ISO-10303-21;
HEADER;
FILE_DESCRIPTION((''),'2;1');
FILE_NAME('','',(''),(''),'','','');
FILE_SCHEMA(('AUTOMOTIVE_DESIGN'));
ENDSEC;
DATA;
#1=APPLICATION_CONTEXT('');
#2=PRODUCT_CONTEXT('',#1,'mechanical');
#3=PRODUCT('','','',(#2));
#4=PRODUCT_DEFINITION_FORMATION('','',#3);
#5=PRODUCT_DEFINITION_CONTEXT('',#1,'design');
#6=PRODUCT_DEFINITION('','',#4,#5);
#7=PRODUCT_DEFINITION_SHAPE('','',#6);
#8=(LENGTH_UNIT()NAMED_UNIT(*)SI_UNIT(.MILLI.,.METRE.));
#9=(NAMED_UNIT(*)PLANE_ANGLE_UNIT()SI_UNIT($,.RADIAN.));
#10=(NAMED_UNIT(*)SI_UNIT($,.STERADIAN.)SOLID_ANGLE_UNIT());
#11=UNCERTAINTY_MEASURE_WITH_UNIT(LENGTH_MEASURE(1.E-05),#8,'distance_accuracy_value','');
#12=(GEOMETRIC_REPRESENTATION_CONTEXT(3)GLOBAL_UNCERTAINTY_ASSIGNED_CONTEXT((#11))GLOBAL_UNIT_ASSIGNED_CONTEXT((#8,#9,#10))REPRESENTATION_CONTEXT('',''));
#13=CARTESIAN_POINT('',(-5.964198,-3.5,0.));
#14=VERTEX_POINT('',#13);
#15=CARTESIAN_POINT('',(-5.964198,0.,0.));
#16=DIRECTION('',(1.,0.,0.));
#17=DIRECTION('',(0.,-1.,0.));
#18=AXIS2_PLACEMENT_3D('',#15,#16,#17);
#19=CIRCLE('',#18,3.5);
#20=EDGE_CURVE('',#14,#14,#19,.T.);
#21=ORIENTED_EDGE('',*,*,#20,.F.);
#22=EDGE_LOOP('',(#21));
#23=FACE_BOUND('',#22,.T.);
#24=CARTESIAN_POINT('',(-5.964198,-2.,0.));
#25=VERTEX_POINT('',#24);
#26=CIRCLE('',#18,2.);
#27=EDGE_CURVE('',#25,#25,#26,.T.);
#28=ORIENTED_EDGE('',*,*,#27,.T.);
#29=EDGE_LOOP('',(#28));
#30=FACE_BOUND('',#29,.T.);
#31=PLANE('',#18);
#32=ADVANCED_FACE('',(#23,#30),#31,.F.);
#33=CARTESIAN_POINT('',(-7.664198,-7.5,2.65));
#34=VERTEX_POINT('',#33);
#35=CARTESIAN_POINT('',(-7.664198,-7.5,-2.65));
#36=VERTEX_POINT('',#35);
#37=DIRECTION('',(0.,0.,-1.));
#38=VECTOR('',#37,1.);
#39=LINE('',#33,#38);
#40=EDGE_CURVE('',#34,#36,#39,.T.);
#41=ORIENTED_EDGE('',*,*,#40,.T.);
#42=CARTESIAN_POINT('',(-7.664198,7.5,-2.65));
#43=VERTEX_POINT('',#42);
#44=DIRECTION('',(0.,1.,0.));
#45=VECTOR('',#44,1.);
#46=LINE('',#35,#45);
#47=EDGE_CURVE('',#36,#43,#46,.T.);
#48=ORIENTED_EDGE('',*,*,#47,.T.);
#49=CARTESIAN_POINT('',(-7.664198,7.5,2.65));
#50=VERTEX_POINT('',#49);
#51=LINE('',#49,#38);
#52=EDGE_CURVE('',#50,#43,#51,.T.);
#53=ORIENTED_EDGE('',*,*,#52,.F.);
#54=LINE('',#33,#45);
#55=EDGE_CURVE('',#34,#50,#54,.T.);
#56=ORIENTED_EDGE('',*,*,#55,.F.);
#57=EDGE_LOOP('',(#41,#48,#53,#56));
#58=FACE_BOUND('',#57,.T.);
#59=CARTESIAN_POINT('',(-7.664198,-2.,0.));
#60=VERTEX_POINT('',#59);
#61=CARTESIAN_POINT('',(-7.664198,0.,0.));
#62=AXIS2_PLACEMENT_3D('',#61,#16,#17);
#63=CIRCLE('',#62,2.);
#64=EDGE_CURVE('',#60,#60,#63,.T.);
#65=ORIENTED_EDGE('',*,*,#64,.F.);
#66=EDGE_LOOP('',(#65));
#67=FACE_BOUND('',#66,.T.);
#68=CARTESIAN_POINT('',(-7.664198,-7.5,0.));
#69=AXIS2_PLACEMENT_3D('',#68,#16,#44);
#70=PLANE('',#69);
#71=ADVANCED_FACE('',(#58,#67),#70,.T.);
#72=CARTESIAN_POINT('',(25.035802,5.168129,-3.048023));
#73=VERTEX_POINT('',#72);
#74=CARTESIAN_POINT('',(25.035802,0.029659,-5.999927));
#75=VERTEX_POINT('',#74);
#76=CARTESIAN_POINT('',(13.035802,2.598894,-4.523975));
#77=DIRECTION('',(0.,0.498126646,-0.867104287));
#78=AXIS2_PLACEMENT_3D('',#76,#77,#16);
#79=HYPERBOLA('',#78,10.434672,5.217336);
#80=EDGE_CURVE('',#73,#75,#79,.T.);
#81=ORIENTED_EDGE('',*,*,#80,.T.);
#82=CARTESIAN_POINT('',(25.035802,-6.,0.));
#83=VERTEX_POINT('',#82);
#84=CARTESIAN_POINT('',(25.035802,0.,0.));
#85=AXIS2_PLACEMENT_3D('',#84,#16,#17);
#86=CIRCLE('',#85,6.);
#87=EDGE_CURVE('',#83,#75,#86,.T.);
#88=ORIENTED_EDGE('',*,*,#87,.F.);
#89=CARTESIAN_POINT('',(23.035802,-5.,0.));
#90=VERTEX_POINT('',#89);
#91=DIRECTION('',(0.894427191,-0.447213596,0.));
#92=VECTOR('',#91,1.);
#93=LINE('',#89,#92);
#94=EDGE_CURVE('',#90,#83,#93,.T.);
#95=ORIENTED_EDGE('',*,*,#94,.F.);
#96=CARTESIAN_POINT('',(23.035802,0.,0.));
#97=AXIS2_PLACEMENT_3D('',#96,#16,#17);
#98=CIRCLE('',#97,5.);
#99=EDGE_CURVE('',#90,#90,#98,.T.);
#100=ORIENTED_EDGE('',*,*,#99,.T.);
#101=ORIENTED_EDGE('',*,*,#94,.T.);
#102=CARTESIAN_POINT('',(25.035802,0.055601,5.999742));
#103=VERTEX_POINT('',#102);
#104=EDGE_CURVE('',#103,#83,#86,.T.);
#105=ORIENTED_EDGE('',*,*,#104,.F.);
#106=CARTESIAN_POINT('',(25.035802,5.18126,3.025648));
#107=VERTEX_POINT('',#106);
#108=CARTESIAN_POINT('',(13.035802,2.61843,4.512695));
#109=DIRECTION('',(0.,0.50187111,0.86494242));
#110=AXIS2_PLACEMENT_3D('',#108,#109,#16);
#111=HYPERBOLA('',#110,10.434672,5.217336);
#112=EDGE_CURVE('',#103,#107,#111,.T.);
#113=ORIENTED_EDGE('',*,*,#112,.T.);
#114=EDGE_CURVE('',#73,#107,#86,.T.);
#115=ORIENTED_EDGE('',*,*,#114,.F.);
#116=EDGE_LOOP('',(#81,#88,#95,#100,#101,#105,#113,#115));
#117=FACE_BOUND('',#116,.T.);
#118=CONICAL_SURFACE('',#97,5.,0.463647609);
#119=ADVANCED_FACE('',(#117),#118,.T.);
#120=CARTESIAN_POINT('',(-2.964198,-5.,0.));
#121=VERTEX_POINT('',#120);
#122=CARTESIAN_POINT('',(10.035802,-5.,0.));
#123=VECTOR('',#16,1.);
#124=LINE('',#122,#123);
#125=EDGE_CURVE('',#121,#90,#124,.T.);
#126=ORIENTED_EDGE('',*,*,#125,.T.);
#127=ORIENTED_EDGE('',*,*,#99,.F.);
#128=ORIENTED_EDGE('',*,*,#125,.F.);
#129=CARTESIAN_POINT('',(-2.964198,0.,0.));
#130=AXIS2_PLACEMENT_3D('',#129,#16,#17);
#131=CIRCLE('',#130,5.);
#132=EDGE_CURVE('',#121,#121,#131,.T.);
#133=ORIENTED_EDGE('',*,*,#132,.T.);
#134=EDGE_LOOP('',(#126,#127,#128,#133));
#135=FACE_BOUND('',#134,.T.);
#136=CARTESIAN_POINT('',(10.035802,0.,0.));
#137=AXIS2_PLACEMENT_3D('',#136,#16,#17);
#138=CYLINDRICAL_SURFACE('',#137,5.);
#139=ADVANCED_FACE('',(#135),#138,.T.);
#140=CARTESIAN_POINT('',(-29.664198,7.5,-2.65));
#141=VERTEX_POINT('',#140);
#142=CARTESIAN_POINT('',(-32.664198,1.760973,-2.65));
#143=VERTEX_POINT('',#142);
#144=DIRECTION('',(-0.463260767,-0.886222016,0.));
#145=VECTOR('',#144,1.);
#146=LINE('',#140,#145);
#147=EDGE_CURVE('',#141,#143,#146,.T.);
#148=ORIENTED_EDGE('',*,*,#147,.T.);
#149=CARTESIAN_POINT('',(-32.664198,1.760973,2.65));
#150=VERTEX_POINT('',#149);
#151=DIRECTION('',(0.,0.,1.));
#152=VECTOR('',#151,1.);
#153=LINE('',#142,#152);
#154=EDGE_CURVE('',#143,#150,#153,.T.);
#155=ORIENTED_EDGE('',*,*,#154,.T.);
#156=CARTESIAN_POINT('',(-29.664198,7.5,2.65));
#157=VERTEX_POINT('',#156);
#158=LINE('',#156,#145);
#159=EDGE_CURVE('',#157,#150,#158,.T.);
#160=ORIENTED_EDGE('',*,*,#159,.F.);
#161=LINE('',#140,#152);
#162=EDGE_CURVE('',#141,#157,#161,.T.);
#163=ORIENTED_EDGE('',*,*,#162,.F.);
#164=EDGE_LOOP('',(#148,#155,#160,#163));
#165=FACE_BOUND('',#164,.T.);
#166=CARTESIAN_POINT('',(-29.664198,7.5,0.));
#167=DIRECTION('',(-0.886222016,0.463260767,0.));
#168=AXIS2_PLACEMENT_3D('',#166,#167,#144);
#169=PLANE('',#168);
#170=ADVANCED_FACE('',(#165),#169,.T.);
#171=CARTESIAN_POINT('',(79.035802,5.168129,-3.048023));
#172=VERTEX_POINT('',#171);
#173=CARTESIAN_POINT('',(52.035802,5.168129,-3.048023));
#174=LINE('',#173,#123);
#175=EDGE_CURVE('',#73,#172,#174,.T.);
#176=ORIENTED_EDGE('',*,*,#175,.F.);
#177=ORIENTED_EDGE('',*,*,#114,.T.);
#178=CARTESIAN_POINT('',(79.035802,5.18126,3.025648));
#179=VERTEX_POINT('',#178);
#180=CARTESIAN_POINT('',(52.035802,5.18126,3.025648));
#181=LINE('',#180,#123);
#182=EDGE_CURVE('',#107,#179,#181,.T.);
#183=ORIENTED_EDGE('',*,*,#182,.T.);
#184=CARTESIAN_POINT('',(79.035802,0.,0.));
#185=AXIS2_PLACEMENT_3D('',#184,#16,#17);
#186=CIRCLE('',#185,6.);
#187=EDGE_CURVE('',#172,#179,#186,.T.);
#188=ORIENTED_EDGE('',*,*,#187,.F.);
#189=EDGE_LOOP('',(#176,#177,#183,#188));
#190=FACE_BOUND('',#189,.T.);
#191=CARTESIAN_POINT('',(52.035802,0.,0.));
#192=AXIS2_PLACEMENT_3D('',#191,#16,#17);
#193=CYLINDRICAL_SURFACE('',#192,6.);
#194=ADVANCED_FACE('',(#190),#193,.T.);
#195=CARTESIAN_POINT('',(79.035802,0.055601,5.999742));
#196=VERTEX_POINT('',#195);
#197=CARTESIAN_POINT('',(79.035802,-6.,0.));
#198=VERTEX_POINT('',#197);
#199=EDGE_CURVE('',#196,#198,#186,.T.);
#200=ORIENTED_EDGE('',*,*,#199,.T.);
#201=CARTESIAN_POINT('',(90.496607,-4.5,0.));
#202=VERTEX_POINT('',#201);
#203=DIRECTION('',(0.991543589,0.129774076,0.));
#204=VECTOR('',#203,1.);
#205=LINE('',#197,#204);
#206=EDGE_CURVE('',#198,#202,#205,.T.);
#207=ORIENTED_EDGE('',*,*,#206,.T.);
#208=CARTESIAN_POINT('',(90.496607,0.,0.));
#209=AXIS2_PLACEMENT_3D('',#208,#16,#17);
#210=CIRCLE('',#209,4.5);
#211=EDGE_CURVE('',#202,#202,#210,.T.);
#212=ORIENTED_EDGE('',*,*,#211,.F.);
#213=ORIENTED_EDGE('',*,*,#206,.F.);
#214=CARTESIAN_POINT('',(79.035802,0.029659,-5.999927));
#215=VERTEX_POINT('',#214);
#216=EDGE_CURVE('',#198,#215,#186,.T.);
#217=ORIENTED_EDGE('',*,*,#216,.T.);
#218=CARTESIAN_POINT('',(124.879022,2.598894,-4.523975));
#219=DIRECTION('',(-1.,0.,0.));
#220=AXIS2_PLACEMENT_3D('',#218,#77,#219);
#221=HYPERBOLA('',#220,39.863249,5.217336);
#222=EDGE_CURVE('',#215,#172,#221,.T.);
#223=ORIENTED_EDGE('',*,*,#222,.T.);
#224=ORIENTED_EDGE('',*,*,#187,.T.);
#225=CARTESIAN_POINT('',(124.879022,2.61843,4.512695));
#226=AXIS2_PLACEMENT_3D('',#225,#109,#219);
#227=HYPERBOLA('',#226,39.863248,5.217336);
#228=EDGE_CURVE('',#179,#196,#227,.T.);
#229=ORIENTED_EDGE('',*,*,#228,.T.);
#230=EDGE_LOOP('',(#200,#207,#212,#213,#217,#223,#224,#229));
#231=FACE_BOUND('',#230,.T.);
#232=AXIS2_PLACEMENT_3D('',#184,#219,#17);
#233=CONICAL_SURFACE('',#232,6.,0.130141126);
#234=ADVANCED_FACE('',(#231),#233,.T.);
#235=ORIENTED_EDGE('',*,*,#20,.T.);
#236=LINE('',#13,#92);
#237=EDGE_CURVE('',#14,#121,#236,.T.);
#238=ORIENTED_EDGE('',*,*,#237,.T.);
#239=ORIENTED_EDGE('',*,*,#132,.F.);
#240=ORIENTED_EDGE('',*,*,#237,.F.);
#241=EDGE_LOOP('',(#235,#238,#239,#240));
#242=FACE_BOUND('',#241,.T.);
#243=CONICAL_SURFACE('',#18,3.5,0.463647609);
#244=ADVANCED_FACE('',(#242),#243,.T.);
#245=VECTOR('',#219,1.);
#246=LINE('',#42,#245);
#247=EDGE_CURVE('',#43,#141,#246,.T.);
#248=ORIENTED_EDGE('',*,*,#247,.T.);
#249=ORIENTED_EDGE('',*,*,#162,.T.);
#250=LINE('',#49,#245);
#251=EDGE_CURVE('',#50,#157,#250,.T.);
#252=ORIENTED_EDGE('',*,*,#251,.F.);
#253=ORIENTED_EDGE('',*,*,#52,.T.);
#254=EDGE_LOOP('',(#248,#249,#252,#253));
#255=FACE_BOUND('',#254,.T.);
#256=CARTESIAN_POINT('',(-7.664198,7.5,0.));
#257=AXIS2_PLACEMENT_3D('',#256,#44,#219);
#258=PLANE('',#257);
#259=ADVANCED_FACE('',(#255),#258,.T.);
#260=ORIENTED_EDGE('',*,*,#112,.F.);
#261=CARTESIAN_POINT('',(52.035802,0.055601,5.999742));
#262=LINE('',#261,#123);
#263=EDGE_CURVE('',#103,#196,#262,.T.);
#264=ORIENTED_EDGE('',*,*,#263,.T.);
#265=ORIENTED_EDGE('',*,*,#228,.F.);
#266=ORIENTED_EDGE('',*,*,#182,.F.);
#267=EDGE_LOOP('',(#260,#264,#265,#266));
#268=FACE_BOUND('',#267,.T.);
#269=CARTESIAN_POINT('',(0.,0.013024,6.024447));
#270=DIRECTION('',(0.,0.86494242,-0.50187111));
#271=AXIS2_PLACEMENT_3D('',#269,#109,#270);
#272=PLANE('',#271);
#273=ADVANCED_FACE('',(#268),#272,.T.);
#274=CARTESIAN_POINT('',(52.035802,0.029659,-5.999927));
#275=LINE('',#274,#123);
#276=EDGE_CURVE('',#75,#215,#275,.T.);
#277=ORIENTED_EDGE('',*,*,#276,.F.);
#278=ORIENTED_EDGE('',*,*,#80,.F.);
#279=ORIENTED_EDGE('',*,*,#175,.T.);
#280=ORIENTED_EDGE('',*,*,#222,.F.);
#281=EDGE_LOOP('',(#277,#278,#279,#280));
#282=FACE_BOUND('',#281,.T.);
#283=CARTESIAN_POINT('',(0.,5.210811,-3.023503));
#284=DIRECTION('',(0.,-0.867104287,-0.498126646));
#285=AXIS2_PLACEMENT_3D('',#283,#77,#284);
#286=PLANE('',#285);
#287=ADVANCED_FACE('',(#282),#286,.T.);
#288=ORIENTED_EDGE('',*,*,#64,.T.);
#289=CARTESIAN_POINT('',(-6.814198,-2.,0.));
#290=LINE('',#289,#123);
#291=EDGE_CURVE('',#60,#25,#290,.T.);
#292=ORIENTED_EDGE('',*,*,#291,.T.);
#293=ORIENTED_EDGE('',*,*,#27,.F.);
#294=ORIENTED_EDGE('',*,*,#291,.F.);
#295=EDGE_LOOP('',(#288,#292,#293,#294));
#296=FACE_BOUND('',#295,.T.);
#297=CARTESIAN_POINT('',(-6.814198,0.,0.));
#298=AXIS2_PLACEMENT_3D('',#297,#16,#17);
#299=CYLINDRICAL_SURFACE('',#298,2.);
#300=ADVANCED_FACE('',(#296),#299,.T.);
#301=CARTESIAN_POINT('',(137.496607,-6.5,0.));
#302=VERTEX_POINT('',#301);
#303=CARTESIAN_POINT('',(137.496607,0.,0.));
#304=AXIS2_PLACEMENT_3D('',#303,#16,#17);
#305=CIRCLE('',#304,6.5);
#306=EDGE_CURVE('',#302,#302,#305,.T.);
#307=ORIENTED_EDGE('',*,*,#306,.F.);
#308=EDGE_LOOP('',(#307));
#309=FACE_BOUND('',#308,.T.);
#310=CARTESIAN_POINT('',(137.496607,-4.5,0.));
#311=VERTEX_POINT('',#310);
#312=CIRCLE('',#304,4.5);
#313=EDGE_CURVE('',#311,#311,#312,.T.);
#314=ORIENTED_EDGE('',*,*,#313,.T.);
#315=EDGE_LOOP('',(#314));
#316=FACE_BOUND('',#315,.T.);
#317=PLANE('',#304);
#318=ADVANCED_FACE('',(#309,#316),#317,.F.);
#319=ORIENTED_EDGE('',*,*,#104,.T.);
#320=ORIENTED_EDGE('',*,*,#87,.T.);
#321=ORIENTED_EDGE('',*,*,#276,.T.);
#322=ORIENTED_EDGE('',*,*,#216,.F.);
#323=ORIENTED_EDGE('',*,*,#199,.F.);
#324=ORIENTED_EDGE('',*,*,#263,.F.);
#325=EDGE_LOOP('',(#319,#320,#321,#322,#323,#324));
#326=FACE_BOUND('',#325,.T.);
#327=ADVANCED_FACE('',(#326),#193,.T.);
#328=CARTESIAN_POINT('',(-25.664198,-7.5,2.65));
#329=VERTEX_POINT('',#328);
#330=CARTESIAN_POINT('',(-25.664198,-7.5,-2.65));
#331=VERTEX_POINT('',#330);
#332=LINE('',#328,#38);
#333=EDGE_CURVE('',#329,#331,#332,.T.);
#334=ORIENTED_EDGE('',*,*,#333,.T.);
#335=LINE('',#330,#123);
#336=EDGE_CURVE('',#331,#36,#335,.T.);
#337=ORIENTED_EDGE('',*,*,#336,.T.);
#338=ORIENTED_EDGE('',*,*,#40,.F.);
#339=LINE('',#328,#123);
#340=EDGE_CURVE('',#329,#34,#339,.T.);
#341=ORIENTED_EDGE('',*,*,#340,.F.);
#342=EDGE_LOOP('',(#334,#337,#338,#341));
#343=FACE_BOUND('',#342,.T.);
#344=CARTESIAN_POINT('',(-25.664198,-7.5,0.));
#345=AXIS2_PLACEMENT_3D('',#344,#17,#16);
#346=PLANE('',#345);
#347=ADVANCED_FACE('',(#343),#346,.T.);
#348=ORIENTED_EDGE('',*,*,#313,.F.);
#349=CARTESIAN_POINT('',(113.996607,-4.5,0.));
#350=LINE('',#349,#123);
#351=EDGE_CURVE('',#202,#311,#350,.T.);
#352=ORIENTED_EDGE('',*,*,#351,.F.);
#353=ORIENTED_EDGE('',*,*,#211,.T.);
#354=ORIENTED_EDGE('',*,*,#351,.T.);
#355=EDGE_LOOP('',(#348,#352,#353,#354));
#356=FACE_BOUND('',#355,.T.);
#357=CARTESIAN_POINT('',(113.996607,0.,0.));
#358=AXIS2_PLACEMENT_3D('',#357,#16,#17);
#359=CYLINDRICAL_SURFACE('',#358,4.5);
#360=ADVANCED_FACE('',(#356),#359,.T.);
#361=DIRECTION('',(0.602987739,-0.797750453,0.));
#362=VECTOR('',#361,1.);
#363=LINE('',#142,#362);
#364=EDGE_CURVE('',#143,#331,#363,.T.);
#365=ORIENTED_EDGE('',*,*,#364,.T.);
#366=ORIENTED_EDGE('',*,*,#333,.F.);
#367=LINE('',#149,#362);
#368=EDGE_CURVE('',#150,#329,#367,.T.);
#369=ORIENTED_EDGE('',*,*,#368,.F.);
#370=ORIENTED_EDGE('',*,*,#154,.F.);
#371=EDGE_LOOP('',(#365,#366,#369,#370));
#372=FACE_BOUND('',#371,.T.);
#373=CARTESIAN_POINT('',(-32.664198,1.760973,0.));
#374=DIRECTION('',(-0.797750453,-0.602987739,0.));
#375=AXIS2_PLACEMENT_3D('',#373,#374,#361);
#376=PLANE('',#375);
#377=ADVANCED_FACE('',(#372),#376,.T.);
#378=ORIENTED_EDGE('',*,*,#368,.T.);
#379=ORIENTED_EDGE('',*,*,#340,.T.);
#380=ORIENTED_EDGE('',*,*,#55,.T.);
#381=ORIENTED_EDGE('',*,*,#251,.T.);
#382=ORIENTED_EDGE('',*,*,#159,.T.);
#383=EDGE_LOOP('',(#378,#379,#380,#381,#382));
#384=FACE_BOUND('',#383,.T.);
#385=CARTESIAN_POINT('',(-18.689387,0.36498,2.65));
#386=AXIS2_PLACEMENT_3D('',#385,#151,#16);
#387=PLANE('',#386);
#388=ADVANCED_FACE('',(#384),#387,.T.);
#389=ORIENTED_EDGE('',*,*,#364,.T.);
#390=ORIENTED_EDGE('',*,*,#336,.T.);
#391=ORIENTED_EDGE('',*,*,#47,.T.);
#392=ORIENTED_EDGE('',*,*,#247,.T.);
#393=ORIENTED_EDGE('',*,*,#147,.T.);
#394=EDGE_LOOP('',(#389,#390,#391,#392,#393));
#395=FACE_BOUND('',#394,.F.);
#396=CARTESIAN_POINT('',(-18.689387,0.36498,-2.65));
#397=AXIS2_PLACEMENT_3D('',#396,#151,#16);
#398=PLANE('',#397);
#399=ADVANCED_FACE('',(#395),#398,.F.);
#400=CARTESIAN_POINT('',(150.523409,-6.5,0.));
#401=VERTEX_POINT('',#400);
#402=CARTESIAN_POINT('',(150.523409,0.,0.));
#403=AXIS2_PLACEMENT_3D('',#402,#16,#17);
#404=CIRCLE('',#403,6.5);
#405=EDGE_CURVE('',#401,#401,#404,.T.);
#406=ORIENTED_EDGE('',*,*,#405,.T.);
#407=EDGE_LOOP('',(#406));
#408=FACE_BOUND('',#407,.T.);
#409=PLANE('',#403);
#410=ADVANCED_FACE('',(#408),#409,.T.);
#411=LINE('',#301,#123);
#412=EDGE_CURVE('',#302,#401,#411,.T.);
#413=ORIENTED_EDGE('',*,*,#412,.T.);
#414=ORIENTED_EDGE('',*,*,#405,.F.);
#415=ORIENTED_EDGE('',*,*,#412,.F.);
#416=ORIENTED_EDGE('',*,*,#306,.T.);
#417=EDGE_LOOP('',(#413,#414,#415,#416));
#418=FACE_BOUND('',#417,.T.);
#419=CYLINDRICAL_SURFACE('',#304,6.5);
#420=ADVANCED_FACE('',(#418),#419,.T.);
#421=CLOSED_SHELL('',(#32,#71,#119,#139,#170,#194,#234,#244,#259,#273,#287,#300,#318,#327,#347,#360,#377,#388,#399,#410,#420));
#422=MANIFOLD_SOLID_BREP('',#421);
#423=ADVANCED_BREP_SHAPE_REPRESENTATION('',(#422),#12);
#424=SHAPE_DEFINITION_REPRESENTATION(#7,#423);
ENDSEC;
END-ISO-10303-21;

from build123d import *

# Parameters (mm, degrees)
F0_W     = 1.7
F0_H     = 2
F0_W_2   = 26
F0_H_2   = 5
F0_W_3   = 54
F0_H_3   = 6
F0_W_4   = 47
F0_H_4   = 4.5
F2_DEPTH = 2.65
F4_DEPTH = 97.7


with BuildPart() as f1:
    # F0 (on Top) → F1 (revolve)
    with BuildSketch(Plane.XY):
        with Locations((-6.814198, -1)):
            Rectangle(F0_W, F0_H)
        with Locations((10.035802, -2.5)):
            Rectangle(F0_W_2, F0_H_2)
        Polygon((25.035802, 0), (23.035802, 0), (23.035802, -5), (25.035802, -6), align=None)
        with Locations((52.035802, -3)):
            Rectangle(F0_W_3, F0_H_3)
        Polygon((90.496607, 0), (79.035802, 0), (79.035802, -6), (90.496607, -4.5), align=None)
        with Locations((113.996607, -2.25)):
            Rectangle(F0_W_4, F0_H_4)
        Polygon((150.523409, 0), (137.496607, 0), (137.496607, -4.5), (137.496607, -6.5), (150.523409, -6.5), align=None)
        Polygon((-2.964198, 0), (-5.964198, 0), (-5.964198, -2), (-5.964198, -3.5), (-2.964198, -5), align=None)
    revolve(axis=Axis((44.526573, 0, 0), (1, 0, 0)))

    # F0 (on Top) → F2 (join, symmetric)
    with BuildSketch(Plane.XY):
        Polygon((-7.664198, 7.5), (-29.664198, 7.5), (-32.664198, 1.760973), (-25.664198, -7.5), (-7.664198, -7.5), (-7.664198, -2), (-7.664198, 0), align=None)
    extrude(amount=F2_DEPTH, both=True)

    # F3 (on Right) → F4 (cut)
    with BuildSketch(Plane.YZ):
        Polygon((0.013024, 7.701685), (0.013024, 6.024447), (5.223836, 3.000944), (8.659112, 3.000944), (8.659112, -3.023503), (5.210811, -3.023503), (-0.013024, -6.024447), (0.013024, -7.905965), (11.633459, -7.905965), (11.633459, 7.701685), align=None)
    extrude(amount=F4_DEPTH, mode=Mode.SUBTRACT)


solid = f1.part
